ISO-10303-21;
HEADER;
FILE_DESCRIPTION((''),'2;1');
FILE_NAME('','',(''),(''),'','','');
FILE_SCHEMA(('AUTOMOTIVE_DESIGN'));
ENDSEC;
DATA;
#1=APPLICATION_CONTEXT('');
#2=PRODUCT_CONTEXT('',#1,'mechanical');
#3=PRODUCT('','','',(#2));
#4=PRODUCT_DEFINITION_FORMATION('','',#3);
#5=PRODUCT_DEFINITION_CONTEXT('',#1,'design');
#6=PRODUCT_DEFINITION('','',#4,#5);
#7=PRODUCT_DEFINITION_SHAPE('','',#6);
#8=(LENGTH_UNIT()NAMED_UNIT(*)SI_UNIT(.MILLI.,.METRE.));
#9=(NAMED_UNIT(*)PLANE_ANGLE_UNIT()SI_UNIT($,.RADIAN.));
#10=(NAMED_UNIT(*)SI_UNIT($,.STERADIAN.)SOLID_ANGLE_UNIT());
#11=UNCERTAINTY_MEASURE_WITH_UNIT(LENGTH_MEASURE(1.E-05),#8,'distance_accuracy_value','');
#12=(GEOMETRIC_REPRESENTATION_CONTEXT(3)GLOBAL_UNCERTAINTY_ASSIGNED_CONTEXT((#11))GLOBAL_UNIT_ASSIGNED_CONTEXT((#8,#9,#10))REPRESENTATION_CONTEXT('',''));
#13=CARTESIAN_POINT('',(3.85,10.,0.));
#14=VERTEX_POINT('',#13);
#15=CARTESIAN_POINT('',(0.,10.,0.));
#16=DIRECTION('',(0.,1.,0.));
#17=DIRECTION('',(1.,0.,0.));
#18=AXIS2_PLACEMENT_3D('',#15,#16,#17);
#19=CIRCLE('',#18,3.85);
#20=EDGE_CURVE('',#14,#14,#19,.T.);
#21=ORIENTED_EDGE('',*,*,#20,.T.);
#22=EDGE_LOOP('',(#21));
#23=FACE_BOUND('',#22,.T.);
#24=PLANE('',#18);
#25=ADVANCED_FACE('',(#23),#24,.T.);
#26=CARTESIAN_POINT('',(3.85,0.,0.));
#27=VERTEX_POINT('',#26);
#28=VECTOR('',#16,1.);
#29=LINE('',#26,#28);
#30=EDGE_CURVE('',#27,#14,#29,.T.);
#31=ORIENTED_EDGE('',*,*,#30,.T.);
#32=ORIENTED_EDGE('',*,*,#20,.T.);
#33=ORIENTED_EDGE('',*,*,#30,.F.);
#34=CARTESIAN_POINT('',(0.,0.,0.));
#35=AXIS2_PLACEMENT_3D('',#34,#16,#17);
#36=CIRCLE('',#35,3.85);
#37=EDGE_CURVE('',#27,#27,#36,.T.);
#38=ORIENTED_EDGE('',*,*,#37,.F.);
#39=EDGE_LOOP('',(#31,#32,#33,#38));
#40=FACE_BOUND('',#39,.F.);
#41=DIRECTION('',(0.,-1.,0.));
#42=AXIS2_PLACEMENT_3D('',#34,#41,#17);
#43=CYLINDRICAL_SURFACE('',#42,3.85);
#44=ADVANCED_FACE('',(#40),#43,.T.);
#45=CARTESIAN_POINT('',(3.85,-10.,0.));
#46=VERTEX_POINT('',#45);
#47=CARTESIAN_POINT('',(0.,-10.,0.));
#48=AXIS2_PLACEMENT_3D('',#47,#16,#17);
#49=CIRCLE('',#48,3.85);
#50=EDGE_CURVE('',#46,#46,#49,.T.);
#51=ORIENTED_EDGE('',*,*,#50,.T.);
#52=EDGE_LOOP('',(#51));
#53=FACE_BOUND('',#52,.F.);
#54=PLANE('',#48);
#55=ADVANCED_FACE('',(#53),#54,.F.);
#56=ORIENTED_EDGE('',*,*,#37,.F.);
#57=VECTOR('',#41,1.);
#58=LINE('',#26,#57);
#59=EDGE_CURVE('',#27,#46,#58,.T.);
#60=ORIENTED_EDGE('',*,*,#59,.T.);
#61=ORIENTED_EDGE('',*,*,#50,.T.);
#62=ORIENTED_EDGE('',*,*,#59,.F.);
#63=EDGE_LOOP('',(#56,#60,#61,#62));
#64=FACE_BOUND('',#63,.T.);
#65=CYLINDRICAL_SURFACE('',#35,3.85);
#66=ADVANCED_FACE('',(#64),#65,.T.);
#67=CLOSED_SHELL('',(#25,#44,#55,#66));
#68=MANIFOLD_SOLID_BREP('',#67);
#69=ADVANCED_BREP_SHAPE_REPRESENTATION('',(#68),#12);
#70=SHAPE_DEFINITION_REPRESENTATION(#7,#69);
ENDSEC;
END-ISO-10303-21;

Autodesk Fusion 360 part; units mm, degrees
sketch "head Pin Sketch" plane through (0, 0, 0) normal (0, 1, 0) x (1, 0, 0)
  circle A0 centre (0, 0) radius 3.85
  dimension "d602" = 7.7
extrude "Extrude1" add sketch "head Pin Sketch" along normal mid plane 20
